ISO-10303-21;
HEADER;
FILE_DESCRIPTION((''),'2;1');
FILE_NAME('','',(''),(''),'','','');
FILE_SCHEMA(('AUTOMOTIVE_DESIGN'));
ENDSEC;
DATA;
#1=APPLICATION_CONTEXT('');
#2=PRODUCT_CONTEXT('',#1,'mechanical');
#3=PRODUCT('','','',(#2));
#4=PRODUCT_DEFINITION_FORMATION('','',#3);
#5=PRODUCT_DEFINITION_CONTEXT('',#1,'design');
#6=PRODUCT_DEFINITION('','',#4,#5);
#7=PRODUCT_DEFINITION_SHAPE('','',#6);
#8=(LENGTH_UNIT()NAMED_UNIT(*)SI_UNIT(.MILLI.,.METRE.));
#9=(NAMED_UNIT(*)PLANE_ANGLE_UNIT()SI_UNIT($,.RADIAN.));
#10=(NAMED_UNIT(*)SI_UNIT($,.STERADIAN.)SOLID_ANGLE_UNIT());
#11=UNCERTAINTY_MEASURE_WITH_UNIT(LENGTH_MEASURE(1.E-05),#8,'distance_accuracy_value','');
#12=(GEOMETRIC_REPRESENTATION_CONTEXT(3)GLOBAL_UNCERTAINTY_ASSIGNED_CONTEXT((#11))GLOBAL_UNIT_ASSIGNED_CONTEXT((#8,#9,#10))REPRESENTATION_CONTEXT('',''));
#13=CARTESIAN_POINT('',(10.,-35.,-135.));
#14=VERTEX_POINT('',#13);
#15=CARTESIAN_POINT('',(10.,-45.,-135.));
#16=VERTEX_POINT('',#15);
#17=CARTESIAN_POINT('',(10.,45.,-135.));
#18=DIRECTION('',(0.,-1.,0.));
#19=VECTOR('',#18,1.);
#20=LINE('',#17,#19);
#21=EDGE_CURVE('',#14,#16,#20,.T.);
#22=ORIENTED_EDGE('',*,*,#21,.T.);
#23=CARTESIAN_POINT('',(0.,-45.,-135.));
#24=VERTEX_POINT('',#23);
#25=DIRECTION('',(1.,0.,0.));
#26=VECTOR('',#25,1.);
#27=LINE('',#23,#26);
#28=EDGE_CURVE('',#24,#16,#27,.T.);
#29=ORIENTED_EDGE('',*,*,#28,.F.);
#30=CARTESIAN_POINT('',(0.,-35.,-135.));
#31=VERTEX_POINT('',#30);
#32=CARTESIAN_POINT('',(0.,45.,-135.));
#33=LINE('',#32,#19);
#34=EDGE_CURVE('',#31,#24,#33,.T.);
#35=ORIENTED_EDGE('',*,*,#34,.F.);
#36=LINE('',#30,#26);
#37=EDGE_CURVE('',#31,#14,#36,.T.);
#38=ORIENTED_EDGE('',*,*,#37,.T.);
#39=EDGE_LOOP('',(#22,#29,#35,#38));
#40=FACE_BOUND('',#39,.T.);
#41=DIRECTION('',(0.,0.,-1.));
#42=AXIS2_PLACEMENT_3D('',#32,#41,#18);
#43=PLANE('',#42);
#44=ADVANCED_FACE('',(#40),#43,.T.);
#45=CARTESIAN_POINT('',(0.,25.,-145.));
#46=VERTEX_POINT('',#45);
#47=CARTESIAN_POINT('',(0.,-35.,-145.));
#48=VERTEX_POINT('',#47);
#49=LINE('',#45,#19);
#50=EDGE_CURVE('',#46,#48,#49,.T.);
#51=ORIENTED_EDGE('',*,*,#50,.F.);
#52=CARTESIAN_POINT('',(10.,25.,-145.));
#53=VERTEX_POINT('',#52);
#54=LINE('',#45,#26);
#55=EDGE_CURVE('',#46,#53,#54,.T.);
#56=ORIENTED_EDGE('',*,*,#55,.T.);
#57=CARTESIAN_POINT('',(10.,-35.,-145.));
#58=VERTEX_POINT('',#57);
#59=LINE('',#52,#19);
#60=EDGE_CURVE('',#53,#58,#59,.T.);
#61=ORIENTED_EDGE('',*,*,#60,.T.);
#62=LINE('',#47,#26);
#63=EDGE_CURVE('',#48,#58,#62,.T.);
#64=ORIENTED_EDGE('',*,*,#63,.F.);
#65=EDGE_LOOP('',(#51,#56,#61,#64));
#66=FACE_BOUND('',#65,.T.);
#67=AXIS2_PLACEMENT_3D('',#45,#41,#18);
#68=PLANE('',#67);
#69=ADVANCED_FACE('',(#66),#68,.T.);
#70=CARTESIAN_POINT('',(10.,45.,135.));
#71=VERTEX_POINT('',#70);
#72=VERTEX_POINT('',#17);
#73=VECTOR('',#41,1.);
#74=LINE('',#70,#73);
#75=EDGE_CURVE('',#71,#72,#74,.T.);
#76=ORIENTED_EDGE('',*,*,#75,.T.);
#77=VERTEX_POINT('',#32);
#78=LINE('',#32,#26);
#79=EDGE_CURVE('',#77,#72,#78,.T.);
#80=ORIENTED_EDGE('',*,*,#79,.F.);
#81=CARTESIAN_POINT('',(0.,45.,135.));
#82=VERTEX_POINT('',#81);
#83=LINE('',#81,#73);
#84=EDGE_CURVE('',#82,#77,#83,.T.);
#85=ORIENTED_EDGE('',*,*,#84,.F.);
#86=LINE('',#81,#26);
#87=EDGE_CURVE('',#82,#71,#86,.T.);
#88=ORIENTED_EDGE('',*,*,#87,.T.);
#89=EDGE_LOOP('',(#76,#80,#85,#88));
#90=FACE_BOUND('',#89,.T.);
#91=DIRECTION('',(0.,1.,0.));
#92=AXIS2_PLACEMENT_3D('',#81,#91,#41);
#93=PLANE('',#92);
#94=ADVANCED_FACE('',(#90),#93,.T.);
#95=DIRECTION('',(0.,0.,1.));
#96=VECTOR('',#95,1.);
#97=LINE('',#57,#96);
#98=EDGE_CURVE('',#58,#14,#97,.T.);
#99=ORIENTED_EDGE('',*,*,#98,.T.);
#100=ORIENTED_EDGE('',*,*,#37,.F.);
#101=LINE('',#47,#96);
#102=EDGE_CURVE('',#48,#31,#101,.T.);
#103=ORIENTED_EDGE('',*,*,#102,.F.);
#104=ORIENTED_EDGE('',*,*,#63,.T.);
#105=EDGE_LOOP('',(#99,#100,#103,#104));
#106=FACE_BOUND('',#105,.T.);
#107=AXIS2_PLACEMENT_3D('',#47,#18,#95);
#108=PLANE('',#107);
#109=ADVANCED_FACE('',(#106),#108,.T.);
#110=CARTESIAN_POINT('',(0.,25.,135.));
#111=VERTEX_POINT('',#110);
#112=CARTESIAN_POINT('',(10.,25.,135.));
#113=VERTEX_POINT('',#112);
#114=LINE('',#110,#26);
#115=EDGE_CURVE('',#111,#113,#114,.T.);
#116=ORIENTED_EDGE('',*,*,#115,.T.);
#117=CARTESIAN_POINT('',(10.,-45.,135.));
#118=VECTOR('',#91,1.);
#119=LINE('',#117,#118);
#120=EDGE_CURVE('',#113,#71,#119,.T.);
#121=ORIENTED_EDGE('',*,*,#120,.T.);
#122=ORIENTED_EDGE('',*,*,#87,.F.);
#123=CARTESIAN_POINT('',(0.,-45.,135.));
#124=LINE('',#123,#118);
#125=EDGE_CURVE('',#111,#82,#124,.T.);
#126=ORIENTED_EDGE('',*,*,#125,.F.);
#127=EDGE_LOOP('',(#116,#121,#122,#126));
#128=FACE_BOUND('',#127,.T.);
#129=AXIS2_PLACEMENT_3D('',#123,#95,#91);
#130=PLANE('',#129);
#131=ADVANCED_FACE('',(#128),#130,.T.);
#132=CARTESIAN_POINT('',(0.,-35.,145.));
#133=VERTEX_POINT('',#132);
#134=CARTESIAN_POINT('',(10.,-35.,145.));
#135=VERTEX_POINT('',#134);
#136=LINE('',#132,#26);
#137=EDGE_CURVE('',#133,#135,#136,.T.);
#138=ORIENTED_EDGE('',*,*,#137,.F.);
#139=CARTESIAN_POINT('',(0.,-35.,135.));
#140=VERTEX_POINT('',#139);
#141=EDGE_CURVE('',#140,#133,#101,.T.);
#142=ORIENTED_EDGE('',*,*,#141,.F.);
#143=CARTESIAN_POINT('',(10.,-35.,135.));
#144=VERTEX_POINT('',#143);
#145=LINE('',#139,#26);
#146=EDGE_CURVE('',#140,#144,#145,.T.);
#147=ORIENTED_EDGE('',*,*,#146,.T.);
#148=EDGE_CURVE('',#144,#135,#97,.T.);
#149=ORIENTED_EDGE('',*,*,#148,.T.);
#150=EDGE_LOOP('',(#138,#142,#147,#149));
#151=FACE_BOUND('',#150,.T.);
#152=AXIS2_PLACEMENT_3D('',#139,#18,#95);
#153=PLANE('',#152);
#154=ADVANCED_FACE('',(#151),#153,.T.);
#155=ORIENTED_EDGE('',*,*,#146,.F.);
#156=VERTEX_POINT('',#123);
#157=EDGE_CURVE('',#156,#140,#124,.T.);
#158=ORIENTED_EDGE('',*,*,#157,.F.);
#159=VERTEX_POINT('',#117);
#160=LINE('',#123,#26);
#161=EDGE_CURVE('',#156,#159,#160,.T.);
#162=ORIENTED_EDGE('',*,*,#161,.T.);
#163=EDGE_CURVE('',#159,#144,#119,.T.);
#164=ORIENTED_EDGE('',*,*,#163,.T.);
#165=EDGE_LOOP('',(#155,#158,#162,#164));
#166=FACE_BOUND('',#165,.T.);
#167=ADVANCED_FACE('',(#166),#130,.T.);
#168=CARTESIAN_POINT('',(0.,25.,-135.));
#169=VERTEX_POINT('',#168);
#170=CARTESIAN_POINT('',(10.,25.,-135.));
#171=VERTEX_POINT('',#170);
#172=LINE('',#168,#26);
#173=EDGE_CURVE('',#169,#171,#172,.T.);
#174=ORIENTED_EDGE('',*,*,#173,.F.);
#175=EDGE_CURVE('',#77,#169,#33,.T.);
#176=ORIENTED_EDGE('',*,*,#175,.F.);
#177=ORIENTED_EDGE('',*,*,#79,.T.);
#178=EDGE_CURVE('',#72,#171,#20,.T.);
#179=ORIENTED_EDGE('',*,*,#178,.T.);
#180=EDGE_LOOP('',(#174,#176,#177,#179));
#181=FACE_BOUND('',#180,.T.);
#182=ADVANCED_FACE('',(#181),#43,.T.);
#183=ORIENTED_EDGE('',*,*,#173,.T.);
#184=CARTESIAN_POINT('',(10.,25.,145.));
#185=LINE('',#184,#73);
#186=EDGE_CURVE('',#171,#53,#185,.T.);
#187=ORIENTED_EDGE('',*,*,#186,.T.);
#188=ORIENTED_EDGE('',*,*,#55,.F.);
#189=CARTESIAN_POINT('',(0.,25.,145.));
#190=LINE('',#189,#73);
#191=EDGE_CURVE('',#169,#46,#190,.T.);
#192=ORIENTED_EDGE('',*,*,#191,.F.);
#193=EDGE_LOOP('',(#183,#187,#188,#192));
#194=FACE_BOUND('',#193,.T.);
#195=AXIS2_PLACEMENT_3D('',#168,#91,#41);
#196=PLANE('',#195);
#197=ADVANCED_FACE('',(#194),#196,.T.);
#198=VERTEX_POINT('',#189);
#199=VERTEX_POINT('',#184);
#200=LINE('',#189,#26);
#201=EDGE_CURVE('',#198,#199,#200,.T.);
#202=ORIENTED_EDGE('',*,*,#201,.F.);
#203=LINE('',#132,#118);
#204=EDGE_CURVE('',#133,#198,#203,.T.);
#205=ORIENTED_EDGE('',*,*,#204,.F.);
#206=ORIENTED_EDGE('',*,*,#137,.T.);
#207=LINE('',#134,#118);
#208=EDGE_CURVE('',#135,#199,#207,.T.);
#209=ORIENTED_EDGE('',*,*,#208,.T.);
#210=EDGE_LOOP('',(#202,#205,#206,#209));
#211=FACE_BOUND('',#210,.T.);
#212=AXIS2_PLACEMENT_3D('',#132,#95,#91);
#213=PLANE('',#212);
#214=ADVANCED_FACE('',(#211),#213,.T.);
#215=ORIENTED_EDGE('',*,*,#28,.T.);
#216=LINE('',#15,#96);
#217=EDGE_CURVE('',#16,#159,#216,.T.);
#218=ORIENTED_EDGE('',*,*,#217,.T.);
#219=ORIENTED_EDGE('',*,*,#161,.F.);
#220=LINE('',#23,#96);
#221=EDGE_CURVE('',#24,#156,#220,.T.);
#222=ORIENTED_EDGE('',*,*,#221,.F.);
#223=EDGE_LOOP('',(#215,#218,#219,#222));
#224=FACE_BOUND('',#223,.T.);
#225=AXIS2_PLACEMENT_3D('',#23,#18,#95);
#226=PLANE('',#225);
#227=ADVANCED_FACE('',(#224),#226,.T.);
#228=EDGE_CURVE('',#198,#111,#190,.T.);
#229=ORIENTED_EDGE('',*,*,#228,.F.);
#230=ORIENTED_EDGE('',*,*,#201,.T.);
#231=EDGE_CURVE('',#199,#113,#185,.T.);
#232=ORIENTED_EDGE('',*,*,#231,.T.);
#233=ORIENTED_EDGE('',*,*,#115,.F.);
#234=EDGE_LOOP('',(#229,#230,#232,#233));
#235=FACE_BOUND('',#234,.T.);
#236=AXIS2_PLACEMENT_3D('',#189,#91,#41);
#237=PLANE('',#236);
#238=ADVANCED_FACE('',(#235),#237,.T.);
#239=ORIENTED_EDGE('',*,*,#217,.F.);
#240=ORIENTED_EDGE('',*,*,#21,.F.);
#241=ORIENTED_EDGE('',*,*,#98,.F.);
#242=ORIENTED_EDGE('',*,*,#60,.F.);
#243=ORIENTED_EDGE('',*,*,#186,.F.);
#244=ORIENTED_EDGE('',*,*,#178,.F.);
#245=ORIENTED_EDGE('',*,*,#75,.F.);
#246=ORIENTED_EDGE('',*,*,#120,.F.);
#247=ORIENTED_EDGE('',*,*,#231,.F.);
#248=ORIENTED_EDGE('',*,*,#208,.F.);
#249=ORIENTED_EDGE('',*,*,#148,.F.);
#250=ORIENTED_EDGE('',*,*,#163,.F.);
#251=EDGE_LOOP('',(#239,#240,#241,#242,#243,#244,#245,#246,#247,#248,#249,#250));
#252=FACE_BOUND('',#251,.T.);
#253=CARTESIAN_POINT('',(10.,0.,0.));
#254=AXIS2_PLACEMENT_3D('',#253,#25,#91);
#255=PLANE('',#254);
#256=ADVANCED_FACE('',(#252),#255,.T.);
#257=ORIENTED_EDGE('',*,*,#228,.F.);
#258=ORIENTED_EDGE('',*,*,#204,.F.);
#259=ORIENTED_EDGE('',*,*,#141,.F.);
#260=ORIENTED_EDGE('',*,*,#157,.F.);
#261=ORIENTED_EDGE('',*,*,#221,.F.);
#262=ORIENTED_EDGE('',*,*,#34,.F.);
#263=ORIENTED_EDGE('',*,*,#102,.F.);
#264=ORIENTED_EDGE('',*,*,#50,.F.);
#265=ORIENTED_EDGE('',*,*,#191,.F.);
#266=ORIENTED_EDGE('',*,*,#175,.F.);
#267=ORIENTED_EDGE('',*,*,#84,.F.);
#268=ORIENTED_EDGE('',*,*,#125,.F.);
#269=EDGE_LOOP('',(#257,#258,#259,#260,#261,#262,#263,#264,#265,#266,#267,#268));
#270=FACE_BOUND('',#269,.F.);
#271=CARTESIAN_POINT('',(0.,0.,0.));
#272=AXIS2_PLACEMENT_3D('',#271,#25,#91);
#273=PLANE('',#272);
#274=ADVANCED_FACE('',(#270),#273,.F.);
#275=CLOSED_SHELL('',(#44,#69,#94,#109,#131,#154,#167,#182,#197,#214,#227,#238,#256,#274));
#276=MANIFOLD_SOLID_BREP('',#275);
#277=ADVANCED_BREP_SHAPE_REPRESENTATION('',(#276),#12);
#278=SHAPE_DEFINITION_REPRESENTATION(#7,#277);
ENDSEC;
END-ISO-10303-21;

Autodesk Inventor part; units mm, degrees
ref_plane "YZ Plane" through (0, 0, 0) normal (1, 0, 0) x (0, 1, 0)
ref_plane "XZ Plane" through (0, 0, 0) normal (0, 1, 0) x (-1, 0, 0)
ref_plane "XY Plane" through (0, 0, 0) normal (0, 0, 1) x (1, 0, 0)
sketch "Sketch1" plane through (0, 0, 0) normal (1, 0, 0) x (0, 1, 0)
  line L0 (-45, 135) -> (45, 135)
  line L1 (45, 135) -> (45, -135)
  line L2 (45, -135) -> (-45, -135)
  line L3 (-45, -135) -> (-45, 135)
  line L4 (-45, 135) -> (45, -135) construction
  line L5 (45, 135) -> (-45, -135) construction
  point P0 (0, 0)
  dimension "d0" = 90
  dimension "d1" = 270
extrude "Extrusion1" add sketch "Sketch1" along normal blind 10
sketch "Sketch2" plane through (0, 0, 0) normal (-1, 0, 0) x (0, 0, 1)
  line L0 (-135, -45) -> (-135, 45) projected
  line L1 (135, -45) -> (-135, -45) projected
  line L2 (135, 45) -> (135, -45) projected
  line L3 (-135, 45) -> (135, 45) projected
  line L4 (0, 45) -> (0, -5)
  line L5 (145, 25) -> (-145, 25)
  line L6 (-145, 25) -> (-145, -35)
  line L7 (-145, -35) -> (145, -35)
  line L8 (145, -35) -> (145, 25)
  line L9 (145, 25) -> (-145, -35) construction
  line L10 (-145, 25) -> (145, -35) construction
  point P0 (-135, -35)
  point P1 (-135, 25)
  point P2 (135, 25)
  point P3 (135, -35)
  dimension "d8" = 90
  dimension "d9" = 50
  dimension "d10" = 60
  dimension "d11" = 290
  dimension "d12" = 270
extrude "Extrusion2" add sketch "Sketch2" against normal blind 10 contours L7 L6 L5 L0 | L2 L5 L8 L7
properties part number "03_Tam_top_vs_bottom" material "Stainless Steel, Austenitic"
